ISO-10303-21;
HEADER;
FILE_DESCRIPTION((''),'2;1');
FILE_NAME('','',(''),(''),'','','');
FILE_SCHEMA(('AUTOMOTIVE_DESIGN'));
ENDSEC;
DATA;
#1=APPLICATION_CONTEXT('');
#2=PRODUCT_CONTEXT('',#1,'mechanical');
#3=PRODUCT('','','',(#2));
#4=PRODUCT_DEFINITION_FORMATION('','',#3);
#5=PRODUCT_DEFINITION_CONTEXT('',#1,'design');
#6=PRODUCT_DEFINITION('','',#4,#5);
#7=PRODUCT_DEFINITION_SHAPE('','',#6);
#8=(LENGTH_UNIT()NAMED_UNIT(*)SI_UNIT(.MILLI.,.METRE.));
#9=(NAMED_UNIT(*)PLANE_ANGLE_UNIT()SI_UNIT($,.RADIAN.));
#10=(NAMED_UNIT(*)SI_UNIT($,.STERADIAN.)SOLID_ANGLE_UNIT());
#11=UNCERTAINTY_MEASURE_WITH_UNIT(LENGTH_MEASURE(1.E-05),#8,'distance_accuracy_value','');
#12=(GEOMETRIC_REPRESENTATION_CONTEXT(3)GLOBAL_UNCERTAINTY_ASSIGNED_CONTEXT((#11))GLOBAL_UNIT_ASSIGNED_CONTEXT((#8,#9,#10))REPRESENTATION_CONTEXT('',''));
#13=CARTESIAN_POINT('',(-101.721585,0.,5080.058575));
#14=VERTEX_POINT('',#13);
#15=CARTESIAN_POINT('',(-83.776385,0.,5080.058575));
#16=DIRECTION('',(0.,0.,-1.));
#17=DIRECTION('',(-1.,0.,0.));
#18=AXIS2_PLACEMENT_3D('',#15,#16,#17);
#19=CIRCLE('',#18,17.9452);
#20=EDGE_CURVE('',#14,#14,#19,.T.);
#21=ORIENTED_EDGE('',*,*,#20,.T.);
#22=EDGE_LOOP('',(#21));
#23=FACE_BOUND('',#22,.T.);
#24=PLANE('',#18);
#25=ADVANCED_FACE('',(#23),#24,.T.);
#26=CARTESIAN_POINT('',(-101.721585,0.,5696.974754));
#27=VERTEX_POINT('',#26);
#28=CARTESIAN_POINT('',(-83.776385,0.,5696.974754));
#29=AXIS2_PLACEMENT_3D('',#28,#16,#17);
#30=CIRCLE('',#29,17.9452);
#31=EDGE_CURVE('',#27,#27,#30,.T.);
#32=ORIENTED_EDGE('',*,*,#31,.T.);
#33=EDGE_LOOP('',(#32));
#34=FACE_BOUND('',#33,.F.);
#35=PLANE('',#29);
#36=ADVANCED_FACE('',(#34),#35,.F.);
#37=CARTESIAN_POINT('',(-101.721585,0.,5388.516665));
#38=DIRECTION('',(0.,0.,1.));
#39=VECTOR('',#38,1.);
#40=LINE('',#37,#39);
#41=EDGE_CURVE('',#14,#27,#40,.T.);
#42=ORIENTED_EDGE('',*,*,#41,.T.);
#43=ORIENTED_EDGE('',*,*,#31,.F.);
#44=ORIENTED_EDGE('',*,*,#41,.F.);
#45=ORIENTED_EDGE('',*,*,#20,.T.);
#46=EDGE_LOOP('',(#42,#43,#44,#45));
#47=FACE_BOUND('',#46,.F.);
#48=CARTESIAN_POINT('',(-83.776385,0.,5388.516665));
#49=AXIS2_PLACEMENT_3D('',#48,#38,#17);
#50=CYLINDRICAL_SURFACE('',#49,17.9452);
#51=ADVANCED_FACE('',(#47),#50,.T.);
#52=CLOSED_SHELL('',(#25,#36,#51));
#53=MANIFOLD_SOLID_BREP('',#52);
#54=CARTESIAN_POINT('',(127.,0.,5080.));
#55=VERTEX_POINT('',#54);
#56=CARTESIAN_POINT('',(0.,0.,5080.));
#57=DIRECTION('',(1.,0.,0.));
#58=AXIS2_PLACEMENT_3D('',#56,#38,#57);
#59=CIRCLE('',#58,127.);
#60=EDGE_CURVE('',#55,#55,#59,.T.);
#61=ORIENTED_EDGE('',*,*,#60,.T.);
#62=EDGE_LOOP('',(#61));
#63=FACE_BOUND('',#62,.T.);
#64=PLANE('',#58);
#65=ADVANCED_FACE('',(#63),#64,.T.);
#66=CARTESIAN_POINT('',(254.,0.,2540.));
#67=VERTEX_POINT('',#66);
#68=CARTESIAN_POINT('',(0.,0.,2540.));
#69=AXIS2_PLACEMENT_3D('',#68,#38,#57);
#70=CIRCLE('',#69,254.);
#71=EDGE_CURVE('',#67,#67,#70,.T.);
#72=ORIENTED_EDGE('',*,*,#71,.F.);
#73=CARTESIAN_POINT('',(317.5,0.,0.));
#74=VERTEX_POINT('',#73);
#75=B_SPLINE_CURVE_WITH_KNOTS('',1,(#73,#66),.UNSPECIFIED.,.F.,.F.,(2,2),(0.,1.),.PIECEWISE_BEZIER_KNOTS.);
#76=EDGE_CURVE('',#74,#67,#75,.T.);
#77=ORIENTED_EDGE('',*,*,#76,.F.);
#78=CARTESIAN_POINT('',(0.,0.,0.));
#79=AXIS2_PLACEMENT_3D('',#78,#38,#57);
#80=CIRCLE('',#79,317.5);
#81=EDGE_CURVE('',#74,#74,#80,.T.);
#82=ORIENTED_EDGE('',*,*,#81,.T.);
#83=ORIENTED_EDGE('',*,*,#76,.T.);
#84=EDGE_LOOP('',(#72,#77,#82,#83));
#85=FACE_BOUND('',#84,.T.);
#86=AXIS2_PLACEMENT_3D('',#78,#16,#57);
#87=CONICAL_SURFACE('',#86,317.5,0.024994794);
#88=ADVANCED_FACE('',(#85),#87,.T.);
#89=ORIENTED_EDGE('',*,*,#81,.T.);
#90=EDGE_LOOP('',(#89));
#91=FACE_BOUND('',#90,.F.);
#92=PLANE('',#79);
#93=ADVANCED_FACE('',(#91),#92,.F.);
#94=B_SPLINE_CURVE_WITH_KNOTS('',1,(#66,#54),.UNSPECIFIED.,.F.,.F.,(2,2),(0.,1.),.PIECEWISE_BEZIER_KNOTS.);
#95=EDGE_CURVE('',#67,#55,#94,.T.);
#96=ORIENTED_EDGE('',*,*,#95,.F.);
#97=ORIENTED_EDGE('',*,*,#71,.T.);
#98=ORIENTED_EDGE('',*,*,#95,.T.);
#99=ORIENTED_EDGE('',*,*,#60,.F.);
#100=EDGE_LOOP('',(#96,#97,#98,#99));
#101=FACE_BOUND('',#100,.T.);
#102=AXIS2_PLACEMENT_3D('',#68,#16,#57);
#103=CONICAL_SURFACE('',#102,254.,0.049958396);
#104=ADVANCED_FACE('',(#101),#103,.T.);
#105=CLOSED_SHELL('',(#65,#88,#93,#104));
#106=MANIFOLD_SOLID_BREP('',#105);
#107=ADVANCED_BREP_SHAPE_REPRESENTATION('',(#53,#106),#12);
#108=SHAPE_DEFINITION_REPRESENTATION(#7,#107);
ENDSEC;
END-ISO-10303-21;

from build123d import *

# Parameters (mm, degrees)
F0_R      = 317.5
F2_R      = 254
F5_FACE_R = 254
F4_R      = 127
F7_W      = 17.9452002048
F7_H      = 616.916179657


with BuildPart() as f5:
    # F0 (on Top) → F5 section 0
    with BuildSketch(Plane.XY):
        Circle(F0_R)
    # F2 (on offset) → F5 section 1
    with BuildSketch(Plane.XY.offset(2540)):
        Circle(F2_R)
    loft()

    # F5_face (on face) → F6 section 0
    with BuildSketch(Plane.XY.offset(2540)):
        Circle(F5_FACE_R)
    # F4 (on offset) → F6 section 1
    with BuildSketch(Plane.XY.offset(5080)):
        Circle(F4_R)
    loft()


with BuildPart() as f8:
    # F7 (on Front) → F8 (revolve)
    with BuildSketch(Plane.XZ):
        with Locations((-92.7489846945, 5388.516664505)):
            Rectangle(F7_W, F7_H)
    revolve(axis=Axis((-83.7763845921, 0, 5388.516664505), (0, 0, -1)))


solid = Compound([f5.part, f8.part])
